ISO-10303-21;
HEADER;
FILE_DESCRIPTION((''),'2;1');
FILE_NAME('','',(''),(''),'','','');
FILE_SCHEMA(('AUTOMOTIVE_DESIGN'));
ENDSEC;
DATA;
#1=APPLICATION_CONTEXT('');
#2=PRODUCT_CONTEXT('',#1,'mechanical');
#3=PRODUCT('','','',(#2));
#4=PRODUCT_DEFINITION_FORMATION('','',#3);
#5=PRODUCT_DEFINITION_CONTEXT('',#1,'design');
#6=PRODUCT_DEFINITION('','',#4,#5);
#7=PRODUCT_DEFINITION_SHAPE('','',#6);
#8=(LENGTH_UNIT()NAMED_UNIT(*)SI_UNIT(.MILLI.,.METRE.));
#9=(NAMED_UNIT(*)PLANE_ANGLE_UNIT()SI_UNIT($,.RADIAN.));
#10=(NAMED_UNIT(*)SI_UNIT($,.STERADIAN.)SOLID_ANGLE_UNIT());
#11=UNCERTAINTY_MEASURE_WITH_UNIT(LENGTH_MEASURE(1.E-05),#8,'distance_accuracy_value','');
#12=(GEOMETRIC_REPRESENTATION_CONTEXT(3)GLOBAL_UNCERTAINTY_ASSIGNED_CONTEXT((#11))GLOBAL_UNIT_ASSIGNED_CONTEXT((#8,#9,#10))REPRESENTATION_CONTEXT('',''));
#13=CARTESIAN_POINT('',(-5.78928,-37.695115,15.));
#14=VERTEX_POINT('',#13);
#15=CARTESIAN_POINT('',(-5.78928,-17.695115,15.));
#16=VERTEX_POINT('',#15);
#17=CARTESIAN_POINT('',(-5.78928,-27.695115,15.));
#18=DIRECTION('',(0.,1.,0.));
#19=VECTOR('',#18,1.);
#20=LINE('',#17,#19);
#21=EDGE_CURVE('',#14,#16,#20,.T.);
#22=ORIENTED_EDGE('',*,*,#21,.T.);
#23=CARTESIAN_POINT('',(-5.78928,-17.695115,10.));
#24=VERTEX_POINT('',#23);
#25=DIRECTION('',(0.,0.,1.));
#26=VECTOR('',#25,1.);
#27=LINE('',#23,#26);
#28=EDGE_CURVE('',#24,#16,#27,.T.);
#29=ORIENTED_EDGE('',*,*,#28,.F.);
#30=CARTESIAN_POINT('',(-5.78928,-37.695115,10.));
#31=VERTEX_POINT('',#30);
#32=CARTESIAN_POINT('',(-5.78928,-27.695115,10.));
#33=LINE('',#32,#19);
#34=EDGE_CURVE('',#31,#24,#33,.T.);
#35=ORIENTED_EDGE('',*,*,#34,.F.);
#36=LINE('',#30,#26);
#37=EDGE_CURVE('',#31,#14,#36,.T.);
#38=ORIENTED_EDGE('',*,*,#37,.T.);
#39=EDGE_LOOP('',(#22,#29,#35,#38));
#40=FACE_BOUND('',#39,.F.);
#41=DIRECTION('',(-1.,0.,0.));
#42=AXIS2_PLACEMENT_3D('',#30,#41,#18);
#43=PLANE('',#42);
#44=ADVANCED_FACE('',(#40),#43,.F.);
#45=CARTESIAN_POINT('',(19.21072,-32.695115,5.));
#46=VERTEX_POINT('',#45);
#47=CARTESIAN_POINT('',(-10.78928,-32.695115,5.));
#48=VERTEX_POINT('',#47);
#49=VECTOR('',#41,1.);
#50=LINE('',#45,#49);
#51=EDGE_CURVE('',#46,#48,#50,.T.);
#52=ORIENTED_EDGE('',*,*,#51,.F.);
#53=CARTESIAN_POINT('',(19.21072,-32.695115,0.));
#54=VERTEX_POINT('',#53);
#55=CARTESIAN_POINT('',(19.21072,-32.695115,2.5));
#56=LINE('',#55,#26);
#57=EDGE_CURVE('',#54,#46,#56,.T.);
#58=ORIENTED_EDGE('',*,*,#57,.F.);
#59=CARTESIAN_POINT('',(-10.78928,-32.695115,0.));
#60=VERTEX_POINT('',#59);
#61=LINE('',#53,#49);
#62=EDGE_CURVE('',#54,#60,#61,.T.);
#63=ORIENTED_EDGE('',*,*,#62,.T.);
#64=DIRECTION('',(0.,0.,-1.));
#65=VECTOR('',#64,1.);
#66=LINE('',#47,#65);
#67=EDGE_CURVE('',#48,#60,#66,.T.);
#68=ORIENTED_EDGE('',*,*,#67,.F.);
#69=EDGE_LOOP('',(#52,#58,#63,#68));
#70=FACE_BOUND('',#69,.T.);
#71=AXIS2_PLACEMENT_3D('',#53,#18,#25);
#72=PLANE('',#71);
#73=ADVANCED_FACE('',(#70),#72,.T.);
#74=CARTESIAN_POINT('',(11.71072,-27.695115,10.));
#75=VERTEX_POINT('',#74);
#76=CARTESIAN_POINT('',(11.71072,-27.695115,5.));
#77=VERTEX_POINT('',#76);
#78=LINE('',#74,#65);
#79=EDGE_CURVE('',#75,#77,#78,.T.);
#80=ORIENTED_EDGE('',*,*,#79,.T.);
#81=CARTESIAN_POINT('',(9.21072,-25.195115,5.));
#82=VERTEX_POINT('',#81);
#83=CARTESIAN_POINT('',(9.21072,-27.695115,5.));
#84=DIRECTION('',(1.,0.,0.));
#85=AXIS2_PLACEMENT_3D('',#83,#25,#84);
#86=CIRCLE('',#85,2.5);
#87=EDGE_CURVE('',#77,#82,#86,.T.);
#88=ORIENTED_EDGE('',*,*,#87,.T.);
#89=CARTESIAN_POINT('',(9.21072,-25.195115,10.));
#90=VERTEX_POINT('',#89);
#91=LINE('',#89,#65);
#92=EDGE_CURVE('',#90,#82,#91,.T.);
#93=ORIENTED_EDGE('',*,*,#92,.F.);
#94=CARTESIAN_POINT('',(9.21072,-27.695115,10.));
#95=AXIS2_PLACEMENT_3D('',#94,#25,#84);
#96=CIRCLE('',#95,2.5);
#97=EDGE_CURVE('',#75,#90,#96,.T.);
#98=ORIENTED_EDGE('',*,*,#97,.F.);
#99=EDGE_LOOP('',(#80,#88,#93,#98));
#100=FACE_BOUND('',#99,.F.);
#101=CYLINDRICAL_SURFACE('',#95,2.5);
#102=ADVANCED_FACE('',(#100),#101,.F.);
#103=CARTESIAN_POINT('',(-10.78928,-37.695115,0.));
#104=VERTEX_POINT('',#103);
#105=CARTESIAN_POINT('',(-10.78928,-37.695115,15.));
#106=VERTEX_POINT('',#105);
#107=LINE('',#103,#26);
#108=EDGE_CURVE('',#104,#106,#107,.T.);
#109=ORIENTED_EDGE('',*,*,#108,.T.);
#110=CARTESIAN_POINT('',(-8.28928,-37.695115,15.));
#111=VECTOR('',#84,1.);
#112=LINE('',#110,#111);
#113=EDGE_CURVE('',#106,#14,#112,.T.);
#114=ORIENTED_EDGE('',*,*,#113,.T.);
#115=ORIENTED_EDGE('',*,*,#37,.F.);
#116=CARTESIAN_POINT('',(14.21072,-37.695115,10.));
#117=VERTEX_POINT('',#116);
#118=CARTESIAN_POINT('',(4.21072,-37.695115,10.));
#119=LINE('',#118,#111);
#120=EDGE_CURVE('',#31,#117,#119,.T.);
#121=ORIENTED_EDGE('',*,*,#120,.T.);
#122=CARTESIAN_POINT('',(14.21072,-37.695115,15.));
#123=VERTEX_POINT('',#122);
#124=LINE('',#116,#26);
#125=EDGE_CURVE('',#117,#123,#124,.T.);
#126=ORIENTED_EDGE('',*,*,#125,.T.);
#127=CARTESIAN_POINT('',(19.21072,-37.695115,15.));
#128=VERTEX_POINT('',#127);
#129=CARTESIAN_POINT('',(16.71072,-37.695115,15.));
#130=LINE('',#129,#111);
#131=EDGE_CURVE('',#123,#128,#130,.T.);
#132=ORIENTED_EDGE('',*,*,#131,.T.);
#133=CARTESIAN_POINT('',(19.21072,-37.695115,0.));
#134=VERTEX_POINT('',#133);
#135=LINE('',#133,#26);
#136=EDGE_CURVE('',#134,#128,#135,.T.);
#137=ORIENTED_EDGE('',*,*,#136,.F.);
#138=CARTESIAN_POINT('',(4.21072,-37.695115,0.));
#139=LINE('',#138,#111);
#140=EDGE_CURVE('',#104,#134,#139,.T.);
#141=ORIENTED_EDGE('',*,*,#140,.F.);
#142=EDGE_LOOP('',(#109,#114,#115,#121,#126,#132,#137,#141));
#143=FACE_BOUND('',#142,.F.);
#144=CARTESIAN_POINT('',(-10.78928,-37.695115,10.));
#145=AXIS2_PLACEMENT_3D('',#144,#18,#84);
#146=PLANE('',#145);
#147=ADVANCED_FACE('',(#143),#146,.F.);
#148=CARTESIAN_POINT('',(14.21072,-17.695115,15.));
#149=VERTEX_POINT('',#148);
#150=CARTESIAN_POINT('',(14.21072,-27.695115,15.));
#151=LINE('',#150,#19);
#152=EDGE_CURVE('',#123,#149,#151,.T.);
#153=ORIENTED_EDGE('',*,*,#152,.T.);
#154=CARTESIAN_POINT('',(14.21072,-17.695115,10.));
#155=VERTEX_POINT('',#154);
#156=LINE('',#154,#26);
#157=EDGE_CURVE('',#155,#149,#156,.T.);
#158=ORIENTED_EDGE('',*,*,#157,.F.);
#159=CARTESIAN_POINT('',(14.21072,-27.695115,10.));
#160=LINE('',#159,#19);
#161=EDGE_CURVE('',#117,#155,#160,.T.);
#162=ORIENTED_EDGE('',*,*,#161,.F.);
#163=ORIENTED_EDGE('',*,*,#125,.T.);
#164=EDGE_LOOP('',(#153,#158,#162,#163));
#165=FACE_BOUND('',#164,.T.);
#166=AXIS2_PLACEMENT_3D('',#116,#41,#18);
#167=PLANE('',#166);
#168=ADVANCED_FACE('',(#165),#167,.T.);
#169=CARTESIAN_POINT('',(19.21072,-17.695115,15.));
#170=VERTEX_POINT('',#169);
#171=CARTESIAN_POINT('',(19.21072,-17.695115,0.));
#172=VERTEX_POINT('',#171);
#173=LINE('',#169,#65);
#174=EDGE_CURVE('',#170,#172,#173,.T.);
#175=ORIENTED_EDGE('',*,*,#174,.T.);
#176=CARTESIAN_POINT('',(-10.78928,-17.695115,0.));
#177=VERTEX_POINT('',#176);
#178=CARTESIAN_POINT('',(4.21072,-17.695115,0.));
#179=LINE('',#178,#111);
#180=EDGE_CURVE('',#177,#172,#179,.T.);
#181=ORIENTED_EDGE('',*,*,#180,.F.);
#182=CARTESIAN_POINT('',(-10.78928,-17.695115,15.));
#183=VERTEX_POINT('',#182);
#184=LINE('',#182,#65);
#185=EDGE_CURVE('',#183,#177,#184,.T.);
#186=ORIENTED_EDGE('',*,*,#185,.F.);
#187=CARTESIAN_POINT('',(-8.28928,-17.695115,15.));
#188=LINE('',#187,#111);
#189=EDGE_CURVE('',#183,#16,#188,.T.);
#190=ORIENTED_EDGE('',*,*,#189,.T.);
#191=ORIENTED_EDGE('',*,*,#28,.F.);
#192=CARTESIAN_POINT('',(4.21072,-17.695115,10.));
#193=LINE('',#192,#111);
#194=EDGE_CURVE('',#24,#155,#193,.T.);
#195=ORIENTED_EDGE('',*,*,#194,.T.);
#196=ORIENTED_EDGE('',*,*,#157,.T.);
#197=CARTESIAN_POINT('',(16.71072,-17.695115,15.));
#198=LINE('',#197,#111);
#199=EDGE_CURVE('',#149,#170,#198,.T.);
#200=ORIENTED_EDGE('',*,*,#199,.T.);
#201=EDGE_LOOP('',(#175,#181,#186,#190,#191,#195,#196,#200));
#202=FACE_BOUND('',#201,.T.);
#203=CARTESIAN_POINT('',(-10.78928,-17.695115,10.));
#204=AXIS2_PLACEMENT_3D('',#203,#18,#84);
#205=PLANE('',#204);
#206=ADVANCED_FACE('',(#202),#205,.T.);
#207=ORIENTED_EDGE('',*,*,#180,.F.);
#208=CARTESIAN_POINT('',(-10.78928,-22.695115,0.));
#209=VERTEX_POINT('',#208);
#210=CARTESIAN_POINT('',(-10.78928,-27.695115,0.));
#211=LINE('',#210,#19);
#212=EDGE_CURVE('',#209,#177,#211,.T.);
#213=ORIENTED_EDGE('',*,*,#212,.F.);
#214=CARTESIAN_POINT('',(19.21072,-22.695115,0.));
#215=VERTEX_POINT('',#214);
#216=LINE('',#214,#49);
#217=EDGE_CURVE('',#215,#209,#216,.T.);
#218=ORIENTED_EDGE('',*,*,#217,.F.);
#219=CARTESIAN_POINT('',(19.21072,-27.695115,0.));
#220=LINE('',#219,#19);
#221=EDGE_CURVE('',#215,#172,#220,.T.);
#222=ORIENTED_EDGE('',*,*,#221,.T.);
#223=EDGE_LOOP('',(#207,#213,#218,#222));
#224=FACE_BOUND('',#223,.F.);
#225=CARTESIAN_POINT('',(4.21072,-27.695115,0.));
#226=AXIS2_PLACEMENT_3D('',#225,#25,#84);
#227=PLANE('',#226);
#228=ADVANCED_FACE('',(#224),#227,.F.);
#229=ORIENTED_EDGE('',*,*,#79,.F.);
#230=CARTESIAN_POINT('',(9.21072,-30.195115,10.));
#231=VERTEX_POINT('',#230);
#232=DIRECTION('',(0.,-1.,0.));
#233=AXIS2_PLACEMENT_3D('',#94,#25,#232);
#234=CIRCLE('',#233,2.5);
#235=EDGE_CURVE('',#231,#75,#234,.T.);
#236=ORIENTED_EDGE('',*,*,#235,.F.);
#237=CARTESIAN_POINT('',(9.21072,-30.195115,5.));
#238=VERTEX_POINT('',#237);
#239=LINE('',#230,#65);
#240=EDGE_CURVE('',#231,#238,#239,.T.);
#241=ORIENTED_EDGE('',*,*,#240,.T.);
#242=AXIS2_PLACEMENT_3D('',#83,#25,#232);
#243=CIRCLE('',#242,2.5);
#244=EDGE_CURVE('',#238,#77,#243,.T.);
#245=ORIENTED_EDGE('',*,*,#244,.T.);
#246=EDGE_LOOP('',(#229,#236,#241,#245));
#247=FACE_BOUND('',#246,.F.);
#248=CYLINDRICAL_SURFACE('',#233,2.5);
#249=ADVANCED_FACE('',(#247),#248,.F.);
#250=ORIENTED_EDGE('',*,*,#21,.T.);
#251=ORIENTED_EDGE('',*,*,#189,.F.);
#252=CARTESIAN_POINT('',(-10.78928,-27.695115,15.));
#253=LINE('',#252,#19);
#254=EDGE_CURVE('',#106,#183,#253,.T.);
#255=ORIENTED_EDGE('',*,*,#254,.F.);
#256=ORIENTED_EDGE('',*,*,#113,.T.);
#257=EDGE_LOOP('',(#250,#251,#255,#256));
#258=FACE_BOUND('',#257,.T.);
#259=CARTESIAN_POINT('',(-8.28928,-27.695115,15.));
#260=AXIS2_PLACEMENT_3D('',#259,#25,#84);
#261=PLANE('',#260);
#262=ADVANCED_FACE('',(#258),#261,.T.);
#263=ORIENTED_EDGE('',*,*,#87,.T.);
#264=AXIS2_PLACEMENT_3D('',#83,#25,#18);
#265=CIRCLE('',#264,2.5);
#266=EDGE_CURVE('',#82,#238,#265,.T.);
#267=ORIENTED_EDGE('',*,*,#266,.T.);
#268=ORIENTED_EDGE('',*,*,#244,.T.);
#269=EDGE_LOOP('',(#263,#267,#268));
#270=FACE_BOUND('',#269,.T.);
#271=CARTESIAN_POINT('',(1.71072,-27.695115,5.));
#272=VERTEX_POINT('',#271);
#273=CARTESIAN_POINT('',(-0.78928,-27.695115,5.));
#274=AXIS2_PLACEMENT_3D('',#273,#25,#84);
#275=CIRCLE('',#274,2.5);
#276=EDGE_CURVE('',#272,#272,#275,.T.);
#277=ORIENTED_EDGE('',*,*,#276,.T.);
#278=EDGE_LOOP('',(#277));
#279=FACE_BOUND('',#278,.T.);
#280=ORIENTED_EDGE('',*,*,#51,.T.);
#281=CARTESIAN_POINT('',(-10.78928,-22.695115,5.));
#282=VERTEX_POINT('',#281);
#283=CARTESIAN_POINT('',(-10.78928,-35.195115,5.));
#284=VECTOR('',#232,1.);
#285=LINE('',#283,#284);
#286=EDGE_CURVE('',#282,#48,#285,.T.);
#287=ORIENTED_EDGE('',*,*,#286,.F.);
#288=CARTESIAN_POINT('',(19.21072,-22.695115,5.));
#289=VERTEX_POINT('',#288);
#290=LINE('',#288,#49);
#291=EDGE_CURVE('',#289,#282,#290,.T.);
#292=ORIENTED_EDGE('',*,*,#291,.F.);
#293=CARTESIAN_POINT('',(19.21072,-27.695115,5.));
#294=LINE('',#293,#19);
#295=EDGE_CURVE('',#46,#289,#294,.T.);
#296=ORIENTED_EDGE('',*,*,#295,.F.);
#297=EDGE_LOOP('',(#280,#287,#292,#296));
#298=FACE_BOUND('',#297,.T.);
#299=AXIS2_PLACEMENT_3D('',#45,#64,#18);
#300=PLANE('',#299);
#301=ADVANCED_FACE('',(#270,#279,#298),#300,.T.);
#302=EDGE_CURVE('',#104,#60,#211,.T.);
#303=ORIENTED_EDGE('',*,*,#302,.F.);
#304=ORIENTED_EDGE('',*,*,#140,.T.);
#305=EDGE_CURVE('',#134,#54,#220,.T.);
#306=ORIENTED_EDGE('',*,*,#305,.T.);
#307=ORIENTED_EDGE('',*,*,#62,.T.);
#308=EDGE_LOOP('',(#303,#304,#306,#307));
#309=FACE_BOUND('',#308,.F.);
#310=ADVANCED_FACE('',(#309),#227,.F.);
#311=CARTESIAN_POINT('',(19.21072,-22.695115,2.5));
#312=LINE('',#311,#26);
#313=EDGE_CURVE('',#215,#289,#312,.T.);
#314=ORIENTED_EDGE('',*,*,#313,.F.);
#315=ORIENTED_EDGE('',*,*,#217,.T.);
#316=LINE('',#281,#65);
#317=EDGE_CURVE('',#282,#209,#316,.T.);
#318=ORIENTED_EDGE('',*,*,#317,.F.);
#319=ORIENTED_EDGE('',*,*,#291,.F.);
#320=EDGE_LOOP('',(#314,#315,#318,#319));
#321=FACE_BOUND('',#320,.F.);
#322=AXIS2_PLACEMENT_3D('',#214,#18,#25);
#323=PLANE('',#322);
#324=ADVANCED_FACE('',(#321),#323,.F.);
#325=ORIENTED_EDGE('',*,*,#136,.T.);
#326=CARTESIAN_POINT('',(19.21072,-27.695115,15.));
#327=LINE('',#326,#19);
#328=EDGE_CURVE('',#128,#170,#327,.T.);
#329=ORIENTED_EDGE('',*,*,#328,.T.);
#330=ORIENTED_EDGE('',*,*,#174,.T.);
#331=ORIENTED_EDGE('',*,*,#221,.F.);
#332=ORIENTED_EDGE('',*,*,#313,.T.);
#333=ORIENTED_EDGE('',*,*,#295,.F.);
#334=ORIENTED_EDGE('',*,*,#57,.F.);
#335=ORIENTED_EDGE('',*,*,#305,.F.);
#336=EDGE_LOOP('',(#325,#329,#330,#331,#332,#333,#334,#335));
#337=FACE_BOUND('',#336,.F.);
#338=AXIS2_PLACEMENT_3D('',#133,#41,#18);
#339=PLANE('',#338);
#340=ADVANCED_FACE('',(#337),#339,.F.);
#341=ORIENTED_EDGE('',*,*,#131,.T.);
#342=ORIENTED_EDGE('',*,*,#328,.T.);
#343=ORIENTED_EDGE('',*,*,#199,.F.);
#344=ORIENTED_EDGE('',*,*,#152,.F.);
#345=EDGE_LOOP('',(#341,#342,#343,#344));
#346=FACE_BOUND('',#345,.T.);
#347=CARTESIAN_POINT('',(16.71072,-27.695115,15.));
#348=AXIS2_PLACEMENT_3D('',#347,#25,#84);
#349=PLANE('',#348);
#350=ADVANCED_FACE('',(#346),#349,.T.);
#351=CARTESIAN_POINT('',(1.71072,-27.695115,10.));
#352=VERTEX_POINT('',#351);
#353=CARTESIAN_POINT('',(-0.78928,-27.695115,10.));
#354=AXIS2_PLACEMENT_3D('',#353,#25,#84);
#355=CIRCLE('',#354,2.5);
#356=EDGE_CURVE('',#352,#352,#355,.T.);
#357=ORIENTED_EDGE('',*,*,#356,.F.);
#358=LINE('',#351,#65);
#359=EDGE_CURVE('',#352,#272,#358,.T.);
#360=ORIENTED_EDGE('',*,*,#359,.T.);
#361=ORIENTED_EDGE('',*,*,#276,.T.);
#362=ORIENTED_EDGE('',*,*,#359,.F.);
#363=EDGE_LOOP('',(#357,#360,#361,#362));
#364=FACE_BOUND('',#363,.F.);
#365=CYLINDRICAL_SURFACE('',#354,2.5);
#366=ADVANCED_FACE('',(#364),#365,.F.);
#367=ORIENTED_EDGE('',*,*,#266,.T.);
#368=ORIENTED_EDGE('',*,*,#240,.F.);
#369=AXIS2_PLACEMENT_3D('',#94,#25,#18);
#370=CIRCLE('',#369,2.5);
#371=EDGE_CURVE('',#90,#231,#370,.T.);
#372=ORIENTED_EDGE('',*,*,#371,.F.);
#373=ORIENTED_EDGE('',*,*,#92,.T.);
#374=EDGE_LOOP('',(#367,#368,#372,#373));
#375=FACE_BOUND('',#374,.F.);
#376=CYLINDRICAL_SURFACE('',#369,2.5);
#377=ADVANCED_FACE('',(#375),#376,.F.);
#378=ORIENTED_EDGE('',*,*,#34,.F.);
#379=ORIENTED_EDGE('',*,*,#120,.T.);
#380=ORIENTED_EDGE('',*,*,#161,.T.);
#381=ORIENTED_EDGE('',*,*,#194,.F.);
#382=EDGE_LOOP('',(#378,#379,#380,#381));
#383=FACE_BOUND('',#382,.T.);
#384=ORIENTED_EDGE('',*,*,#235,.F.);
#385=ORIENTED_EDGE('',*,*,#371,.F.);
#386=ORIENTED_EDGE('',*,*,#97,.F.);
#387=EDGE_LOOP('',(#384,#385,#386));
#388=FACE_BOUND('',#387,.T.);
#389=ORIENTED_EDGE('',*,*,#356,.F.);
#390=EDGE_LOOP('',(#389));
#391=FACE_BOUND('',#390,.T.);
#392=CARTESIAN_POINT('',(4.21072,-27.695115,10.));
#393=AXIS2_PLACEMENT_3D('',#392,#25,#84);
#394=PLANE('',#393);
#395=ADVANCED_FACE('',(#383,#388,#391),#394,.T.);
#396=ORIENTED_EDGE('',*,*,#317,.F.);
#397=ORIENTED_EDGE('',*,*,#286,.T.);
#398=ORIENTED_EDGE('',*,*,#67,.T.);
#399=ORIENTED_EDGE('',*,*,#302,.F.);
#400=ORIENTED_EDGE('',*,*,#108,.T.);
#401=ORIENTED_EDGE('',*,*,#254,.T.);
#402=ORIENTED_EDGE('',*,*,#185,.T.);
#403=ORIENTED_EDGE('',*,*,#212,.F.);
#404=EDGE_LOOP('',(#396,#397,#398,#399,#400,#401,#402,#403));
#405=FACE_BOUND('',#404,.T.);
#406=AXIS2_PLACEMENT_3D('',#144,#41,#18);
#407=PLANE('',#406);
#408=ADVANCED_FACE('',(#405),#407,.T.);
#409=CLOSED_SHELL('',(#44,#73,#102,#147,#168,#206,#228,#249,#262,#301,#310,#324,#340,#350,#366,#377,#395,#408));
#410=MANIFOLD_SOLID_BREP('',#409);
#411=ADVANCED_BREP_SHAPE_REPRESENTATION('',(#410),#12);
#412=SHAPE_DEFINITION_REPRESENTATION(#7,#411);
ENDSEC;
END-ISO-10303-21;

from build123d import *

# Parameters (mm, degrees)
F0_W     = 30
F0_H     = 20
F1_DEPTH = 10
F2_W     = 5
F2_H     = 20
F3_DEPTH = 5
F4_R     = 2.5
F5_DEPTH = 10.001
F7_DEPTH = 10.001
F8_W     = 10
F8_H     = 5
F9_DEPTH = 30.001


with BuildPart() as f1:
    # F0 (on Top) → F1 (new body)
    with BuildSketch(Plane.XY):
        with Locations((4.2107195362, -27.6951151714)):
            Rectangle(F0_W, F0_H)
    extrude(amount=F1_DEPTH)

    # F2 (on face) → F3 (join)
    with BuildSketch(Plane.XY.offset(10)):
        with Locations((-8.2892804638, -27.6951151714)):
            Rectangle(F2_W, F2_H)
        with Locations((16.7107195362, -27.6951151714)):
            Rectangle(F2_W, F2_H)
    extrude(amount=F3_DEPTH)

    # F4 (on face) → F5 (cut, through all)
    with BuildSketch(Plane.XY.offset(10)):
        with Locations((-0.7892804638, -27.6951151714)):
            Circle(F4_R)
    extrude(amount=-F5_DEPTH, mode=Mode.SUBTRACT)

    # F6 (on face) → F7 (cut, through all)
    with BuildSketch(Plane.XY.offset(10)):
        with BuildLine():
            ThreePointArc((9.2107195362, -25.1951151714), (6.7107195362, -27.6951151714), (9.2107195362, -30.1951151714))
            Line((9.2107195362, -30.1951151714), (9.2107195362, -25.1951151714))
        make_face()
        with BuildLine():
            Line((9.2107195362, -25.1951151714), (9.2107195362, -30.1951151714))
            ThreePointArc((9.2107195362, -30.1951151714), (10.9784864892, -29.4628821243), (11.7107195362, -27.6951151714))
            ThreePointArc((11.7107195362, -27.6951151714), (10.9784864892, -25.9273482184), (9.2107195362, -25.1951151714))
        make_face()
    extrude(amount=-F7_DEPTH, mode=Mode.SUBTRACT)

    # F8 (on face) → F9 (cut, through all)
    with BuildSketch(Plane.YZ.offset(19.2107195362)):
        with Locations((-27.6951151714, 2.5)):
            Rectangle(F8_W, F8_H)
    extrude(amount=-F9_DEPTH, mode=Mode.SUBTRACT)


solid = f1.part
